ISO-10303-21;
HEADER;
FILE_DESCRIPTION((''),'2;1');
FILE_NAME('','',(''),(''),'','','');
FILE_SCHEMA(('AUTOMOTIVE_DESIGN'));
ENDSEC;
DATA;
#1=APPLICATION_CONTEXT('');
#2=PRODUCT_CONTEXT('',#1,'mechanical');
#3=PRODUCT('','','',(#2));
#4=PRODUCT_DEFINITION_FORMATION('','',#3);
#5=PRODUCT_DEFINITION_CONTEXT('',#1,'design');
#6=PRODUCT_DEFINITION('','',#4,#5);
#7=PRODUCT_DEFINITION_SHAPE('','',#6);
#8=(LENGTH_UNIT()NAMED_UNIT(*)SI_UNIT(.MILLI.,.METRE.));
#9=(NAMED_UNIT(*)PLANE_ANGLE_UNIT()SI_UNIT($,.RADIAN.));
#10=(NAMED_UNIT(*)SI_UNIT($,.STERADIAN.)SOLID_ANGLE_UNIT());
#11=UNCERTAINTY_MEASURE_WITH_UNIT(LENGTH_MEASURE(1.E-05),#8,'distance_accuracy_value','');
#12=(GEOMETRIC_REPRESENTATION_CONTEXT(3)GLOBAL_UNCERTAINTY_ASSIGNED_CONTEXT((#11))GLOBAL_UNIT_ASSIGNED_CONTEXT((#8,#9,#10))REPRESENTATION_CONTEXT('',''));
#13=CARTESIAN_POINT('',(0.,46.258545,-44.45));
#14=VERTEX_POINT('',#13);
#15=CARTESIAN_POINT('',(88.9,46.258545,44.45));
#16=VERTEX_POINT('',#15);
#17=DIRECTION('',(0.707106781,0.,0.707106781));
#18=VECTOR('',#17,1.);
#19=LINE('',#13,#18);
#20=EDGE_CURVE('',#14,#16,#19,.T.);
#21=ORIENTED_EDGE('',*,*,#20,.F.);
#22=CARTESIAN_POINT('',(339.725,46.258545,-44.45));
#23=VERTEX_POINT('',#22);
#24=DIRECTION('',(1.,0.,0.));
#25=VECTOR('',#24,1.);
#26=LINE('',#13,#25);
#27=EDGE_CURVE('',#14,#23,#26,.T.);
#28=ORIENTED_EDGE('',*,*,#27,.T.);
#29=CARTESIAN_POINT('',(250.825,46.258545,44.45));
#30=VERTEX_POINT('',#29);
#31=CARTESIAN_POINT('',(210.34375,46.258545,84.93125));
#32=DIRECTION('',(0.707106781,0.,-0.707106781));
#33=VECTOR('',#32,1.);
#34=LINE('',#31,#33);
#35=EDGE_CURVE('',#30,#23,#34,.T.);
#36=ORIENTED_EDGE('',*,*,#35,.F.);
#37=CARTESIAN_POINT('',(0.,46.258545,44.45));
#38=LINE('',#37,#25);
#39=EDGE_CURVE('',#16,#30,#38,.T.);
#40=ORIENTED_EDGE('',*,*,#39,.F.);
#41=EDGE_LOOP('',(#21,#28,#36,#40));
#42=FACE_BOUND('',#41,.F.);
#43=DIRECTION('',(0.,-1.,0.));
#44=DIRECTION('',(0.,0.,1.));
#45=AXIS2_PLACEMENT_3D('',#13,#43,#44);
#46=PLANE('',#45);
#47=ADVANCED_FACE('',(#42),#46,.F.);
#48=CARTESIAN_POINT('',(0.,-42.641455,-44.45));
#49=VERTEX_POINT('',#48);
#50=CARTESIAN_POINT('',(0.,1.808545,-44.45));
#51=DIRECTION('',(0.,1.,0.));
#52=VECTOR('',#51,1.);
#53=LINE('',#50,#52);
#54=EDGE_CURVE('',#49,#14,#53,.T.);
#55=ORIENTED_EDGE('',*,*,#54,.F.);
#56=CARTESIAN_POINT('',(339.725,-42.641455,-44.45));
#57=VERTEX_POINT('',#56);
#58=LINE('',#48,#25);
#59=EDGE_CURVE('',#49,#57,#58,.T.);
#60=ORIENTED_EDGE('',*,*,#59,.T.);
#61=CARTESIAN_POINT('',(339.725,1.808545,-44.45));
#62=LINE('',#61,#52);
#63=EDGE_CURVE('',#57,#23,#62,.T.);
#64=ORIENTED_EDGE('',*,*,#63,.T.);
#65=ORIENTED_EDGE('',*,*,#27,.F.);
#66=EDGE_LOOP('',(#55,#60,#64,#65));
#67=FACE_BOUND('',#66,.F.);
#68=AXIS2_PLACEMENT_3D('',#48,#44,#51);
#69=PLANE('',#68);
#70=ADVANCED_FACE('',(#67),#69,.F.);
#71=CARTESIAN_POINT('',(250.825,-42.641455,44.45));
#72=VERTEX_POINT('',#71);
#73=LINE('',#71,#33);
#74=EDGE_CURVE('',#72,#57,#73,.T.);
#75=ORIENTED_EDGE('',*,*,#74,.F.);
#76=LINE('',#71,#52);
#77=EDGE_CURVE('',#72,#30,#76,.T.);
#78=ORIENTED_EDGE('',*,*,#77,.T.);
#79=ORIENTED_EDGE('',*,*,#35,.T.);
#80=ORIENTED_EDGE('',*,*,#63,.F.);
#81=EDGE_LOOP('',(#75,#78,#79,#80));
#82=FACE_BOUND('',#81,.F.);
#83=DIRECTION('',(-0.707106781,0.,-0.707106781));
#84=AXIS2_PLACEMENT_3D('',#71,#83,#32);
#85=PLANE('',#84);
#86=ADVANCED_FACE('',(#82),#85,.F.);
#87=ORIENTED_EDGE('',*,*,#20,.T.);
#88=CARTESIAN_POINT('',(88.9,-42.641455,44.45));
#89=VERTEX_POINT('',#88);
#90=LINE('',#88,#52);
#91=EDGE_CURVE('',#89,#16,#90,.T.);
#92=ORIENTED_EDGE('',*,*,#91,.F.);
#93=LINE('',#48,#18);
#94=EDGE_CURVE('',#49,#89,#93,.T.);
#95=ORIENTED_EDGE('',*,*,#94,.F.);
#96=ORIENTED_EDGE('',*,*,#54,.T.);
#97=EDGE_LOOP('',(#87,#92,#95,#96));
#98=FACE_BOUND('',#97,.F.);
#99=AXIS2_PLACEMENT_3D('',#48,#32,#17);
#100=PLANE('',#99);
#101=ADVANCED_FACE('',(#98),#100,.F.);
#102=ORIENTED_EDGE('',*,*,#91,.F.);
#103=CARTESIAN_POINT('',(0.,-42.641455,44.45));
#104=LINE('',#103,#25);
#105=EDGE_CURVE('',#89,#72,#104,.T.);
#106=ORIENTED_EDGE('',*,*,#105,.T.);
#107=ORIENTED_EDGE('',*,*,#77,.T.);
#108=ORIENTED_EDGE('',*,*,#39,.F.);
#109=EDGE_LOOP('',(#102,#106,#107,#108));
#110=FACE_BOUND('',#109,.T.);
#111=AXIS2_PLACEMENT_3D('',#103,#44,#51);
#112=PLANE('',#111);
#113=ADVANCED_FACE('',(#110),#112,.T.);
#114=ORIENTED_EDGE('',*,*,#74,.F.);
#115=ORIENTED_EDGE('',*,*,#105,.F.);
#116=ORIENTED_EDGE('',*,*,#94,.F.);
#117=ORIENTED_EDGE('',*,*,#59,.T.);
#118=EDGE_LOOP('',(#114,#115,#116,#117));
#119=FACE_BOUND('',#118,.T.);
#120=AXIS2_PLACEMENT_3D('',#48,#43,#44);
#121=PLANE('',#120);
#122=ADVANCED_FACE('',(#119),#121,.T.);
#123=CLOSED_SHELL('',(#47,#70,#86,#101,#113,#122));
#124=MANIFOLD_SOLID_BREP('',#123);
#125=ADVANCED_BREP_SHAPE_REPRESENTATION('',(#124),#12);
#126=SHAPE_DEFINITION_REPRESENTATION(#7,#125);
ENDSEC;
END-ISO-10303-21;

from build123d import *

# Parameters (mm, degrees)
F0_W     = 88.9
F0_H     = 88.9
F1_DEPTH = 339.725
F3_DEPTH = 88.901
F5_DEPTH = 88.901


with BuildPart() as f1:
    # F0 (on Right) → F1 (new body)
    with BuildSketch(Plane.YZ):
        with Locations((1.808545, 0)):
            Rectangle(F0_W, F0_H)
    extrude(amount=F1_DEPTH)

    # F2 (on face) → F3 (cut, through all)
    with BuildSketch(Plane.XZ.offset(42.641455)):
        Polygon((0, 44.45), (0, -44.45), (88.9, 44.45), align=None)
    extrude(amount=-F3_DEPTH, mode=Mode.SUBTRACT)

    # F4 (on face) → F5 (cut, through all)
    with BuildSketch(Plane.XZ.offset(42.641455)):
        Polygon((250.825, 44.45), (339.725, -44.45), (339.725, 44.45), align=None)
    extrude(amount=-F5_DEPTH, mode=Mode.SUBTRACT)


solid = f1.part
